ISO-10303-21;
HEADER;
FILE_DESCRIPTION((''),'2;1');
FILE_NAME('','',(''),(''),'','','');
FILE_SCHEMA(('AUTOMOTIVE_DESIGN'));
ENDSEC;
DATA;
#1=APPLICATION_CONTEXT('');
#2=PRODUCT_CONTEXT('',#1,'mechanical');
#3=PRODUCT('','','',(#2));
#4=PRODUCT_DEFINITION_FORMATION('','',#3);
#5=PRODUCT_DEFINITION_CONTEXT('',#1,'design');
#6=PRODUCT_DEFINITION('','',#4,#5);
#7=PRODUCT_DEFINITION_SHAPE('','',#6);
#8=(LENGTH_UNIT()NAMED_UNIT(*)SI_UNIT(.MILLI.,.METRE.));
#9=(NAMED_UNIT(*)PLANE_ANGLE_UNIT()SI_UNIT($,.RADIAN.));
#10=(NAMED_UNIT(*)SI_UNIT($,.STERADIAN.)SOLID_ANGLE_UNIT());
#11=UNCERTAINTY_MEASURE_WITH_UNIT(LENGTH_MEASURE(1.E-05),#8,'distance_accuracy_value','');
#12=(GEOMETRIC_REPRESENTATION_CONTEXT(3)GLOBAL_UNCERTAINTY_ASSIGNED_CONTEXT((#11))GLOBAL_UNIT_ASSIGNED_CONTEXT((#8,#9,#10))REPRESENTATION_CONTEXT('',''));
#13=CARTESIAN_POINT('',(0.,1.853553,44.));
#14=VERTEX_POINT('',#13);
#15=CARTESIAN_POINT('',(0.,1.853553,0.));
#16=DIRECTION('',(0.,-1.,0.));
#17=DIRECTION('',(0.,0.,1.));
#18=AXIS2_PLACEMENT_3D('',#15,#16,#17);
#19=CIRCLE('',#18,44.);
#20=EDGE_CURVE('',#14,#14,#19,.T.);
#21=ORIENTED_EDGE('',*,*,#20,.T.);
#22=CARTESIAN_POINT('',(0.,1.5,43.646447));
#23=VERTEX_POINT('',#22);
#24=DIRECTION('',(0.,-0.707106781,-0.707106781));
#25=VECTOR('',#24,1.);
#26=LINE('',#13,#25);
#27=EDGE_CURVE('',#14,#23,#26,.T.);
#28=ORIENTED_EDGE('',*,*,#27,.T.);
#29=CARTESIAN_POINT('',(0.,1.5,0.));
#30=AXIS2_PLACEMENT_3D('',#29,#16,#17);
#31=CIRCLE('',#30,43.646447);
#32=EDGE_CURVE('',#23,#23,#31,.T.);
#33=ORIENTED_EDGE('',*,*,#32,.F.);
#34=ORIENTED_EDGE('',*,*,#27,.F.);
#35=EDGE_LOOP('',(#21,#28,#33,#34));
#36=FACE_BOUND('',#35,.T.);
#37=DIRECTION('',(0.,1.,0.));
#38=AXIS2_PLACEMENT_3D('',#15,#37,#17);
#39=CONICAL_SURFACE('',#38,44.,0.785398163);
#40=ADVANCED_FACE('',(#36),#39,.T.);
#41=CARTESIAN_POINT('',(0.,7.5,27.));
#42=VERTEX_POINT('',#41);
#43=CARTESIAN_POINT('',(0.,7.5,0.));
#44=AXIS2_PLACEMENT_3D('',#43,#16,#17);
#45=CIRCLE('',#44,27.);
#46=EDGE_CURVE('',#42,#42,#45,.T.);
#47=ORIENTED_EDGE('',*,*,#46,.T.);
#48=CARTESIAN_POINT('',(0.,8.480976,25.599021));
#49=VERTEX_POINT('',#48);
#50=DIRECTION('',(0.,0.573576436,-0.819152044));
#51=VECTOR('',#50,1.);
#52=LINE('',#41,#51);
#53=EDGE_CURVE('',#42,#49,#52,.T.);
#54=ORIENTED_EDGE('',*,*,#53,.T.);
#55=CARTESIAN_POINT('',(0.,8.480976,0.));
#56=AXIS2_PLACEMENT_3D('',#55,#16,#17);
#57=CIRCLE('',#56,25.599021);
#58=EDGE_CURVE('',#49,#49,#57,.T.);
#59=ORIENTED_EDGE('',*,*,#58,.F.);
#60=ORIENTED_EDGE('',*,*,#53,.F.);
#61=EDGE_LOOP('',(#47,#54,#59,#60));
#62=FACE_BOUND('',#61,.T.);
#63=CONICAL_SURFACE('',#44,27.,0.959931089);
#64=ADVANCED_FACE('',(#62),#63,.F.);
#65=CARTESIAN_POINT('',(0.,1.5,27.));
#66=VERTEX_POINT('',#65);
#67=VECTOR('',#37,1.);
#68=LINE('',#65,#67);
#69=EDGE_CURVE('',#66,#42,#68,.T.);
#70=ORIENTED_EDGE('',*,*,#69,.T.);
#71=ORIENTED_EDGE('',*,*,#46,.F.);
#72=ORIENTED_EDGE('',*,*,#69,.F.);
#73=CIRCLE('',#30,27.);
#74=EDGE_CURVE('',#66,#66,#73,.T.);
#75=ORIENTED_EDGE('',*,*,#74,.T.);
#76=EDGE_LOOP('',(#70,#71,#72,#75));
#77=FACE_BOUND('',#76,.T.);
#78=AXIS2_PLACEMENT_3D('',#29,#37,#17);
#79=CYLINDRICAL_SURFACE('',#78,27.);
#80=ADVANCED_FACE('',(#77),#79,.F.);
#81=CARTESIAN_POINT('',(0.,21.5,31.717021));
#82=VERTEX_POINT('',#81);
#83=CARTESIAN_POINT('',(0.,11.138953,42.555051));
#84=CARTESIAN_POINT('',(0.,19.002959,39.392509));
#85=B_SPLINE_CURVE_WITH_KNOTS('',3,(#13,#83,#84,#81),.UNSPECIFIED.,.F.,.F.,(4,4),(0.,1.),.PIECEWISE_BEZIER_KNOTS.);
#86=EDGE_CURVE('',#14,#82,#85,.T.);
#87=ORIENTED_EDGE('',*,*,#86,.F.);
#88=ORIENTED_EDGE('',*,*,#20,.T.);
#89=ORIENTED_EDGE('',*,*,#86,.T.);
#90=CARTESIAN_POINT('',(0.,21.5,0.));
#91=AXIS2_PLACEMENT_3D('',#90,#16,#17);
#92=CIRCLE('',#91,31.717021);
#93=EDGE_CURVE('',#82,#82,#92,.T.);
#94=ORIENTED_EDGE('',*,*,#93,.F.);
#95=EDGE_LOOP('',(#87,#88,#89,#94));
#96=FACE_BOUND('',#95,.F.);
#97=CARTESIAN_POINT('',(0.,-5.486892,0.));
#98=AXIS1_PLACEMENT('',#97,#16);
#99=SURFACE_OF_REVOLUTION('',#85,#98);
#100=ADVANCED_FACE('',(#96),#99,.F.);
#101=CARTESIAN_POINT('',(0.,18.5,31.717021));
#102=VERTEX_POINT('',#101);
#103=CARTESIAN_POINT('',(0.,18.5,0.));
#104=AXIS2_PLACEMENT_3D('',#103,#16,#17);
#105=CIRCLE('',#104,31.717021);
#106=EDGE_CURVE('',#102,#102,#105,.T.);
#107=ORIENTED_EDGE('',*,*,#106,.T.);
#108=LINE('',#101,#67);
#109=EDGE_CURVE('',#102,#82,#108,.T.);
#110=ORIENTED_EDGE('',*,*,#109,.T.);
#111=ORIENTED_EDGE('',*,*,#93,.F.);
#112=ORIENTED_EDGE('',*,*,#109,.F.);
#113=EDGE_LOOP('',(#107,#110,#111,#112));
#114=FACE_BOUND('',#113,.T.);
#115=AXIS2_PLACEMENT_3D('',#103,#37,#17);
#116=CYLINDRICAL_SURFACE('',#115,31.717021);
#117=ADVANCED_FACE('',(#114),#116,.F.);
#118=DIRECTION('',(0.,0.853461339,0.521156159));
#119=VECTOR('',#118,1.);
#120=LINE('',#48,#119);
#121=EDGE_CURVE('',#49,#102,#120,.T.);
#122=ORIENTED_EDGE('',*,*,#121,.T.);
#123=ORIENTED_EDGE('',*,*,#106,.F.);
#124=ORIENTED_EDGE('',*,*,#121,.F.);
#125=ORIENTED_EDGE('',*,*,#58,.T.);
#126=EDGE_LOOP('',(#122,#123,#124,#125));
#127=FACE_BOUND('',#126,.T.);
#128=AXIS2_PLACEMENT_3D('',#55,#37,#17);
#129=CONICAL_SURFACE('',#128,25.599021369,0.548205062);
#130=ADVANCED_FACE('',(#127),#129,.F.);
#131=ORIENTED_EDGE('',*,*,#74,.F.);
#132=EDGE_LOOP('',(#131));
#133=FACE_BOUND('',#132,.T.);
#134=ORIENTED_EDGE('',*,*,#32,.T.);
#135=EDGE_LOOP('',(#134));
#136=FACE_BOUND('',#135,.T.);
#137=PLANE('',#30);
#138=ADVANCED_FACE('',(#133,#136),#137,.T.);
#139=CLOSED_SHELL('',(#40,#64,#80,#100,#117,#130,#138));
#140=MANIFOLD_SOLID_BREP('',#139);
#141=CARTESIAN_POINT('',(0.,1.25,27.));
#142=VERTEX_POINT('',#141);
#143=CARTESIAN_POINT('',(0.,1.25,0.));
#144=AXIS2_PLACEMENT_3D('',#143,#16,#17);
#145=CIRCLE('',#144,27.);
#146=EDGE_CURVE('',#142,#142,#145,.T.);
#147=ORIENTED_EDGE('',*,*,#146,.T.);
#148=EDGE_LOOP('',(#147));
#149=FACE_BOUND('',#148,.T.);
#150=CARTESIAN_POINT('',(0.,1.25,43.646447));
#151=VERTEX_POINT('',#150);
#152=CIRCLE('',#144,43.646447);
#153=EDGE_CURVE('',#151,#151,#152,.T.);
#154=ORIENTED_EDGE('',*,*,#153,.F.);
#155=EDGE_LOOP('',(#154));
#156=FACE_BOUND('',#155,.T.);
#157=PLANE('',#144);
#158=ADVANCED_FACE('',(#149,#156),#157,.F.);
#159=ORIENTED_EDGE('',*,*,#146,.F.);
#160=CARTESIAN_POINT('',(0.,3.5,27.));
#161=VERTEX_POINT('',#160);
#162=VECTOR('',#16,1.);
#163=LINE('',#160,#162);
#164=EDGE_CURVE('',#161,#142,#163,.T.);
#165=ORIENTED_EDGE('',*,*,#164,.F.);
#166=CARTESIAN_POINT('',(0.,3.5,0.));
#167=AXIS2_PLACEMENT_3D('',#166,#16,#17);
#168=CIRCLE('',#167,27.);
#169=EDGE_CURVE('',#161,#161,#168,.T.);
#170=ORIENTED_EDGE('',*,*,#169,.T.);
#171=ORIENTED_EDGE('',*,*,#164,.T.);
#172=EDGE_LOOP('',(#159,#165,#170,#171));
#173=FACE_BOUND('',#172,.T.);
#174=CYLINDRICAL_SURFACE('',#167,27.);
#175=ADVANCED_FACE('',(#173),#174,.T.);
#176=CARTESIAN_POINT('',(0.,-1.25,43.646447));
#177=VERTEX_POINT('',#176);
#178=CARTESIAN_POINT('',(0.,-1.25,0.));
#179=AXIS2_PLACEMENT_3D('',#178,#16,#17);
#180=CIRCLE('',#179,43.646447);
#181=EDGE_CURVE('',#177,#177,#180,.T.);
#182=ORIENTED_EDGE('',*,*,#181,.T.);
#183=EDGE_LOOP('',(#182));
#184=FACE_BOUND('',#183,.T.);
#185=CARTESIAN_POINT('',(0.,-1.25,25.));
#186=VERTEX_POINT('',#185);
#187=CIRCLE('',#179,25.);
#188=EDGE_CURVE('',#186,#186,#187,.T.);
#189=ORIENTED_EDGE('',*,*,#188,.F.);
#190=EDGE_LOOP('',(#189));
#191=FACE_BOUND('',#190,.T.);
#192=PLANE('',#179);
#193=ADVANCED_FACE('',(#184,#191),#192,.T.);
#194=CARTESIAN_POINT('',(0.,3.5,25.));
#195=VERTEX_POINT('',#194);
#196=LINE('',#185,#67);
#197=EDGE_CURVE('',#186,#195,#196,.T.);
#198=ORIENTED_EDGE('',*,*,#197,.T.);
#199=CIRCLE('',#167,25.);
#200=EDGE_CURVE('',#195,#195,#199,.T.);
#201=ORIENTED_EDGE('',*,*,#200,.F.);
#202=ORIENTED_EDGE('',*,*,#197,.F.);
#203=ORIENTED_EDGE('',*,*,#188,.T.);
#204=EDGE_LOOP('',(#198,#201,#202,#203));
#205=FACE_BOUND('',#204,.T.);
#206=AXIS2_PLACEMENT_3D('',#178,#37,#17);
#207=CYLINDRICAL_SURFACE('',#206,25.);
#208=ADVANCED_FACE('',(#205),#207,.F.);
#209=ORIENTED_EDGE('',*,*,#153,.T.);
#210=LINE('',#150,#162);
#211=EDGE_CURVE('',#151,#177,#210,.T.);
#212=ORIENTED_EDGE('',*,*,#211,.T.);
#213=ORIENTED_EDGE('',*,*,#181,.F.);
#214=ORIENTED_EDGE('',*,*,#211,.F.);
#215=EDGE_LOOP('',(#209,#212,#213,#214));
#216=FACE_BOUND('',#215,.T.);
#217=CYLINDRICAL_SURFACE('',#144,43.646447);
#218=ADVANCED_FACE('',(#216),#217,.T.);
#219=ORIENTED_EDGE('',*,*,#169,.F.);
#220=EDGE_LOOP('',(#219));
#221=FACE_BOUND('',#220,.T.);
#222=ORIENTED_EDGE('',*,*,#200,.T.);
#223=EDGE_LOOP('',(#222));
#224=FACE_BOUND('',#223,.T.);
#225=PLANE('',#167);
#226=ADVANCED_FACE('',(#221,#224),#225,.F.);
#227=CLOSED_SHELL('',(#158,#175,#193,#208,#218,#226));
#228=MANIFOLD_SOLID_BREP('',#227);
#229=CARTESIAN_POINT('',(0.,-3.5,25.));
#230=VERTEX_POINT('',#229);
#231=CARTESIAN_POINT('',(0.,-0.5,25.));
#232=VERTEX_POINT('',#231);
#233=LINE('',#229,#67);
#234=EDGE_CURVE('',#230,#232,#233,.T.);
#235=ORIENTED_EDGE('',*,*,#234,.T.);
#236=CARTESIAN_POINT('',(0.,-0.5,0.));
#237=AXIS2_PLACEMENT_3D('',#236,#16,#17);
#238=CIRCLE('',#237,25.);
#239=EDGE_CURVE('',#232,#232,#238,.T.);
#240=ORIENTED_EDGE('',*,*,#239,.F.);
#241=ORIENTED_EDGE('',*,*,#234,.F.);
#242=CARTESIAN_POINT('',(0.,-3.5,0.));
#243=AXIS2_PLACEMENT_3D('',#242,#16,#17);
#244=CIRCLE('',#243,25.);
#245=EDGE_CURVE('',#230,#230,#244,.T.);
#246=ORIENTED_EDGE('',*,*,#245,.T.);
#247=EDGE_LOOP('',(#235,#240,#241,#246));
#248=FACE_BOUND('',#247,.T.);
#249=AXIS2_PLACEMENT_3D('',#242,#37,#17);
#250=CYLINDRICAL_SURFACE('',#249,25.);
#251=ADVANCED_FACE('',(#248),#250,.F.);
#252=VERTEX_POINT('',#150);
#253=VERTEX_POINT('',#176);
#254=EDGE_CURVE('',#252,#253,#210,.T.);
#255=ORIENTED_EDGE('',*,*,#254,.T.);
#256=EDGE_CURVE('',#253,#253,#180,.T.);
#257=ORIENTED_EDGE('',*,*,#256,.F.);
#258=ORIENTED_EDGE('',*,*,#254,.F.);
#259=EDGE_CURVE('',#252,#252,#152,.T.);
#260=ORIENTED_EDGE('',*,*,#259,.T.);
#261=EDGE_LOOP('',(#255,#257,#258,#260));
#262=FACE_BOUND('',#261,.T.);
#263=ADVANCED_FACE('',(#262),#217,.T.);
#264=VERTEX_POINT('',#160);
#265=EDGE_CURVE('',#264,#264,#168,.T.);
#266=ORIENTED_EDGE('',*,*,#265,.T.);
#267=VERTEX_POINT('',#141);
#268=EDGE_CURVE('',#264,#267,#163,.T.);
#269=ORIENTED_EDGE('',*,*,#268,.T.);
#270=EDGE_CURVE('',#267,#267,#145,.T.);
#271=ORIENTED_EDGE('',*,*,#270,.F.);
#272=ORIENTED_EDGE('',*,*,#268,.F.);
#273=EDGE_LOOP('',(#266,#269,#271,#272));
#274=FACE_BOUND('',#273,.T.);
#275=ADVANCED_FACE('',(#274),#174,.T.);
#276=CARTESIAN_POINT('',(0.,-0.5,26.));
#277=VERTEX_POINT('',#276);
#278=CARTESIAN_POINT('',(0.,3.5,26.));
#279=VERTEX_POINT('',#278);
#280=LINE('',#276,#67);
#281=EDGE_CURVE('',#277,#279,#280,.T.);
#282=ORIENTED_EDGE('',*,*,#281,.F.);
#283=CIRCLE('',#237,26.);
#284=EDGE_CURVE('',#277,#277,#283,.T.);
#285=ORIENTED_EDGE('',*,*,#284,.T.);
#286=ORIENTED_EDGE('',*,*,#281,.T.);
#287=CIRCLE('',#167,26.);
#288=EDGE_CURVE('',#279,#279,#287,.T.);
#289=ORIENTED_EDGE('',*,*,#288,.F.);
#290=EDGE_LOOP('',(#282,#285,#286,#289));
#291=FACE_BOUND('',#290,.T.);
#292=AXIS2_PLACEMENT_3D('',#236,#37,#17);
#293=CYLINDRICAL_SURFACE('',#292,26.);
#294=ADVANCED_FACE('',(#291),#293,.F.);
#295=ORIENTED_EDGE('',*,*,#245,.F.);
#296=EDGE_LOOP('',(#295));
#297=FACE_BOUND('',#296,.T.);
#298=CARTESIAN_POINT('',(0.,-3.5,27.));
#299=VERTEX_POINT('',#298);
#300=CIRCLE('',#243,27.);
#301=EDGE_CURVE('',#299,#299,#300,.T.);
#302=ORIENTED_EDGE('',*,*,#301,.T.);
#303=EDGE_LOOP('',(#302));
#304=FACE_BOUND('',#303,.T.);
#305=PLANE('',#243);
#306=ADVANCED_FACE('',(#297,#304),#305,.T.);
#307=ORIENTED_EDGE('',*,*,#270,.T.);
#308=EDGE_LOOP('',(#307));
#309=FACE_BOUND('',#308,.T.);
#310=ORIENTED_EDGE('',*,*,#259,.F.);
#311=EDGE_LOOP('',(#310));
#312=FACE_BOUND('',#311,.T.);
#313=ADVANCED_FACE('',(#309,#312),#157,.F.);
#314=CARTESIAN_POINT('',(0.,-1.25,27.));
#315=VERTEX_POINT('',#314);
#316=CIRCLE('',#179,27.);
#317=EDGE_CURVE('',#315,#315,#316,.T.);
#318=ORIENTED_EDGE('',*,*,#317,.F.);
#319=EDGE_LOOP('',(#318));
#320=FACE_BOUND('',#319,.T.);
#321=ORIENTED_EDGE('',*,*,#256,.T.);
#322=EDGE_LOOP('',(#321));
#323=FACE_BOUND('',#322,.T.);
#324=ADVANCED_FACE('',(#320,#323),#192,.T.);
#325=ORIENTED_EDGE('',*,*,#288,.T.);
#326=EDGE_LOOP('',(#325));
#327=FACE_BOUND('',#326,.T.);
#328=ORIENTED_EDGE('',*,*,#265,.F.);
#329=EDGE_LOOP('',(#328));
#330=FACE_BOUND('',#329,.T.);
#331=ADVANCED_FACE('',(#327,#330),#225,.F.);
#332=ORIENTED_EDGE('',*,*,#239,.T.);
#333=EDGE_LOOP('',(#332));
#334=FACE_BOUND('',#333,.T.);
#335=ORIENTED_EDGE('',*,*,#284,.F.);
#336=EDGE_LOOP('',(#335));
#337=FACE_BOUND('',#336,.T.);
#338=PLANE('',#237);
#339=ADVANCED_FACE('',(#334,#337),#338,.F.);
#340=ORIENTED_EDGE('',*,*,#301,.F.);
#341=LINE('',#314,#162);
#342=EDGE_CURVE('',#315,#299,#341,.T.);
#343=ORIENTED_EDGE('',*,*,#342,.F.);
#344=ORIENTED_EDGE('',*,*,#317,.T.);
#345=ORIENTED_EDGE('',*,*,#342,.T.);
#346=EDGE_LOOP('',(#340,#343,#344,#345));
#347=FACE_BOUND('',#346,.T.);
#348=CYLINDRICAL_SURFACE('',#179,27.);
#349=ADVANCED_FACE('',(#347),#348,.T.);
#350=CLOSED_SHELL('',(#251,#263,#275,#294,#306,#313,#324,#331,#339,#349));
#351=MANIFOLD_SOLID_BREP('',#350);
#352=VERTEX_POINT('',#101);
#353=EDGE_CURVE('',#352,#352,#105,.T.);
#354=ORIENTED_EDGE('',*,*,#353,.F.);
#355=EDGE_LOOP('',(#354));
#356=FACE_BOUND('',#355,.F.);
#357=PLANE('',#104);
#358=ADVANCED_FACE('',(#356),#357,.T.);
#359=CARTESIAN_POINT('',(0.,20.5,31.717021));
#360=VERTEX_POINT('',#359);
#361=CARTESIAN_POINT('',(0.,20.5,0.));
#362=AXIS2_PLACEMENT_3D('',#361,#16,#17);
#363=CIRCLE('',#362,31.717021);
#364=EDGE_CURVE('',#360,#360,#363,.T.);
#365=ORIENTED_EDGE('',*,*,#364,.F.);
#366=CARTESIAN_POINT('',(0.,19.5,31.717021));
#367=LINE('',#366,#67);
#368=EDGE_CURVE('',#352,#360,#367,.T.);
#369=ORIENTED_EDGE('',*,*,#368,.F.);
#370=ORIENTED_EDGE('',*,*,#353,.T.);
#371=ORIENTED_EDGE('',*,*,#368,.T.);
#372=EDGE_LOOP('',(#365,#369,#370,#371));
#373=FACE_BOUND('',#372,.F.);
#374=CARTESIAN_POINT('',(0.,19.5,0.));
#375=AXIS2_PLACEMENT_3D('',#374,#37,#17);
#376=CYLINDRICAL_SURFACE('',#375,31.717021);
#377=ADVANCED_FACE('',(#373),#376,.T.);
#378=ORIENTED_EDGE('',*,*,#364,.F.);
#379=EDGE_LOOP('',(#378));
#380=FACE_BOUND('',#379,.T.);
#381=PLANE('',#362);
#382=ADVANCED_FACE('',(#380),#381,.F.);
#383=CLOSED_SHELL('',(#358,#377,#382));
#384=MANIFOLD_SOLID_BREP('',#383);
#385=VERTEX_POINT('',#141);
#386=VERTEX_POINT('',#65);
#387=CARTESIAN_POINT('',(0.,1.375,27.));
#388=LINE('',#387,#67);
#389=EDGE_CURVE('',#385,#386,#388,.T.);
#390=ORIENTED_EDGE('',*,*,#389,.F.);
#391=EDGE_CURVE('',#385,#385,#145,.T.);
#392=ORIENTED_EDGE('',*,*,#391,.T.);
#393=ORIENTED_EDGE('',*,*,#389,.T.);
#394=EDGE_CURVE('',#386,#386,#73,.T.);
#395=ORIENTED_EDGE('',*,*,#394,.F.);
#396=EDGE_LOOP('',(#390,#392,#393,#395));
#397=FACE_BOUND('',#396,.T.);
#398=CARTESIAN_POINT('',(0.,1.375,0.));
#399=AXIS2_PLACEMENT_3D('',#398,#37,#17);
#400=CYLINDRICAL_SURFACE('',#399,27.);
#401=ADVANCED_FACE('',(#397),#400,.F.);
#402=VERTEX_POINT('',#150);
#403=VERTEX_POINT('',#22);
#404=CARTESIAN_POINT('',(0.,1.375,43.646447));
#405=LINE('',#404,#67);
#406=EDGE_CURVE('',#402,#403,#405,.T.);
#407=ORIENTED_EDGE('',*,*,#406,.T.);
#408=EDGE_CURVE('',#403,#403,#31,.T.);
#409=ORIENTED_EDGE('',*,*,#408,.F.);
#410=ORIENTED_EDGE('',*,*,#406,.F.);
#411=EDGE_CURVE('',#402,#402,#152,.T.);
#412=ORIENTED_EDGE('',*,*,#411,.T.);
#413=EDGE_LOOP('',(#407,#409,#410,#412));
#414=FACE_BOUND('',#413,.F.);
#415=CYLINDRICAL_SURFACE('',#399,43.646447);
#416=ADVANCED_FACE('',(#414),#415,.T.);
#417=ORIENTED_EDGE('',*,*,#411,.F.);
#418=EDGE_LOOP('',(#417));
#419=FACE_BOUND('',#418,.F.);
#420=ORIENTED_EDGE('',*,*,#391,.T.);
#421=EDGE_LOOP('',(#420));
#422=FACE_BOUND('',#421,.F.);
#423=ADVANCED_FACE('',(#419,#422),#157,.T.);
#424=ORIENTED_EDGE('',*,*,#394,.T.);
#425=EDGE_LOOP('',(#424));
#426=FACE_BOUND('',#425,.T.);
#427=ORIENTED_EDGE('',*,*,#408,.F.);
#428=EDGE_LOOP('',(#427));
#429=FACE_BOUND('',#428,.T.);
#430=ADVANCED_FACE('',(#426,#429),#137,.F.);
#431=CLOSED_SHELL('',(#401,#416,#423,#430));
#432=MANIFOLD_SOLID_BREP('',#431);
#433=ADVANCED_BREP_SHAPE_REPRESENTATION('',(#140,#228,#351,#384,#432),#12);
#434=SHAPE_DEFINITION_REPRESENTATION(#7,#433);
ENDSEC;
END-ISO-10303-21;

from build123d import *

# Parameters (mm, degrees)
F1_W   = 2
F1_H   = 31.7170210183
F1_W_2 = 0.25
F1_H_2 = 16.6464466094


with BuildPart() as f3:
    # F1 (on Right) → F3 (revolve)
    with BuildSketch(Plane.YZ):
        Polygon((1.25, 27), (1.25, 43.6464466094), (-1.25, 43.6464466094), (-1.25, 27), (-3.5, 27), (-3.5, 25), (-0.5, 25), (-0.5, 26), (3.5, 26), (3.5, 27), (1.5, 27), align=None)
    revolve(axis=Axis((0, -5.4868920706, 0), (0, -1, 0)))


with BuildPart() as f4:
    # F1 (on Right) → F4 (revolve)
    with BuildSketch(Plane.YZ):
        with Locations((19.5, 15.8585105091)):
            Rectangle(F1_W, F1_H)
    revolve(axis=Axis((0, -5.4868920706, 0), (0, -1, 0)))


with BuildPart() as f4b:
    # F1 (on Right) → F4, piece 2 (revolve)
    with BuildSketch(Plane.YZ):
        with Locations((1.375, 35.3232233047)):
            Rectangle(F1_W_2, F1_H_2)
    revolve(axis=Axis((0, -5.4868920706, 0), (0, -1, 0)))


with BuildPart() as f5:
    # F1 (on Right) → F5 (revolve)
    with BuildSketch(Plane.YZ):
        with BuildLine():
            Line((1.8535533906, 44), (1.5, 43.6464466094))
            Line((1.5, 43.6464466094), (1.5, 27))
            Line((1.5, 27), (3.5, 27))
            Line((3.5, 27), (7.5, 27))
            Line((7.5, 27), (8.4809757984, 25.5990213688))
            Line((8.4809757984, 25.5990213688), (18.5, 31.7170210183))
            Line((18.5, 31.7170210183), (20.5, 31.7170210183))
            Line((20.5, 31.7170210183), (21.5, 31.7170210183))
            add(Edge.make_bspline(
                [(1.8535533906, 44), (11.1389525673, 42.5550513347), (19.0029591322, 39.3925085664), (21.5, 31.7170210183)],
                knots=[0, 0, 0, 0, 1, 1, 1, 1], degree=3))
        make_face()
    revolve(axis=Axis((0, -5.4868920706, 0), (0, -1, 0)))


with BuildPart() as f6:
    # F2 (on Right) → F6 (revolve)
    with BuildSketch(Plane.YZ):
        Polygon((1.25, 43.6464466094), (-1.25, 43.6464466094), (-1.25, 25), (3.5, 25), (3.5, 27), (1.25, 27), align=None)
    revolve(axis=Axis((0, -5.4868920706, 0), (0, -1, 0)))


solid = Compound([f3.part, f4.part, f4b.part, f5.part, f6.part])
